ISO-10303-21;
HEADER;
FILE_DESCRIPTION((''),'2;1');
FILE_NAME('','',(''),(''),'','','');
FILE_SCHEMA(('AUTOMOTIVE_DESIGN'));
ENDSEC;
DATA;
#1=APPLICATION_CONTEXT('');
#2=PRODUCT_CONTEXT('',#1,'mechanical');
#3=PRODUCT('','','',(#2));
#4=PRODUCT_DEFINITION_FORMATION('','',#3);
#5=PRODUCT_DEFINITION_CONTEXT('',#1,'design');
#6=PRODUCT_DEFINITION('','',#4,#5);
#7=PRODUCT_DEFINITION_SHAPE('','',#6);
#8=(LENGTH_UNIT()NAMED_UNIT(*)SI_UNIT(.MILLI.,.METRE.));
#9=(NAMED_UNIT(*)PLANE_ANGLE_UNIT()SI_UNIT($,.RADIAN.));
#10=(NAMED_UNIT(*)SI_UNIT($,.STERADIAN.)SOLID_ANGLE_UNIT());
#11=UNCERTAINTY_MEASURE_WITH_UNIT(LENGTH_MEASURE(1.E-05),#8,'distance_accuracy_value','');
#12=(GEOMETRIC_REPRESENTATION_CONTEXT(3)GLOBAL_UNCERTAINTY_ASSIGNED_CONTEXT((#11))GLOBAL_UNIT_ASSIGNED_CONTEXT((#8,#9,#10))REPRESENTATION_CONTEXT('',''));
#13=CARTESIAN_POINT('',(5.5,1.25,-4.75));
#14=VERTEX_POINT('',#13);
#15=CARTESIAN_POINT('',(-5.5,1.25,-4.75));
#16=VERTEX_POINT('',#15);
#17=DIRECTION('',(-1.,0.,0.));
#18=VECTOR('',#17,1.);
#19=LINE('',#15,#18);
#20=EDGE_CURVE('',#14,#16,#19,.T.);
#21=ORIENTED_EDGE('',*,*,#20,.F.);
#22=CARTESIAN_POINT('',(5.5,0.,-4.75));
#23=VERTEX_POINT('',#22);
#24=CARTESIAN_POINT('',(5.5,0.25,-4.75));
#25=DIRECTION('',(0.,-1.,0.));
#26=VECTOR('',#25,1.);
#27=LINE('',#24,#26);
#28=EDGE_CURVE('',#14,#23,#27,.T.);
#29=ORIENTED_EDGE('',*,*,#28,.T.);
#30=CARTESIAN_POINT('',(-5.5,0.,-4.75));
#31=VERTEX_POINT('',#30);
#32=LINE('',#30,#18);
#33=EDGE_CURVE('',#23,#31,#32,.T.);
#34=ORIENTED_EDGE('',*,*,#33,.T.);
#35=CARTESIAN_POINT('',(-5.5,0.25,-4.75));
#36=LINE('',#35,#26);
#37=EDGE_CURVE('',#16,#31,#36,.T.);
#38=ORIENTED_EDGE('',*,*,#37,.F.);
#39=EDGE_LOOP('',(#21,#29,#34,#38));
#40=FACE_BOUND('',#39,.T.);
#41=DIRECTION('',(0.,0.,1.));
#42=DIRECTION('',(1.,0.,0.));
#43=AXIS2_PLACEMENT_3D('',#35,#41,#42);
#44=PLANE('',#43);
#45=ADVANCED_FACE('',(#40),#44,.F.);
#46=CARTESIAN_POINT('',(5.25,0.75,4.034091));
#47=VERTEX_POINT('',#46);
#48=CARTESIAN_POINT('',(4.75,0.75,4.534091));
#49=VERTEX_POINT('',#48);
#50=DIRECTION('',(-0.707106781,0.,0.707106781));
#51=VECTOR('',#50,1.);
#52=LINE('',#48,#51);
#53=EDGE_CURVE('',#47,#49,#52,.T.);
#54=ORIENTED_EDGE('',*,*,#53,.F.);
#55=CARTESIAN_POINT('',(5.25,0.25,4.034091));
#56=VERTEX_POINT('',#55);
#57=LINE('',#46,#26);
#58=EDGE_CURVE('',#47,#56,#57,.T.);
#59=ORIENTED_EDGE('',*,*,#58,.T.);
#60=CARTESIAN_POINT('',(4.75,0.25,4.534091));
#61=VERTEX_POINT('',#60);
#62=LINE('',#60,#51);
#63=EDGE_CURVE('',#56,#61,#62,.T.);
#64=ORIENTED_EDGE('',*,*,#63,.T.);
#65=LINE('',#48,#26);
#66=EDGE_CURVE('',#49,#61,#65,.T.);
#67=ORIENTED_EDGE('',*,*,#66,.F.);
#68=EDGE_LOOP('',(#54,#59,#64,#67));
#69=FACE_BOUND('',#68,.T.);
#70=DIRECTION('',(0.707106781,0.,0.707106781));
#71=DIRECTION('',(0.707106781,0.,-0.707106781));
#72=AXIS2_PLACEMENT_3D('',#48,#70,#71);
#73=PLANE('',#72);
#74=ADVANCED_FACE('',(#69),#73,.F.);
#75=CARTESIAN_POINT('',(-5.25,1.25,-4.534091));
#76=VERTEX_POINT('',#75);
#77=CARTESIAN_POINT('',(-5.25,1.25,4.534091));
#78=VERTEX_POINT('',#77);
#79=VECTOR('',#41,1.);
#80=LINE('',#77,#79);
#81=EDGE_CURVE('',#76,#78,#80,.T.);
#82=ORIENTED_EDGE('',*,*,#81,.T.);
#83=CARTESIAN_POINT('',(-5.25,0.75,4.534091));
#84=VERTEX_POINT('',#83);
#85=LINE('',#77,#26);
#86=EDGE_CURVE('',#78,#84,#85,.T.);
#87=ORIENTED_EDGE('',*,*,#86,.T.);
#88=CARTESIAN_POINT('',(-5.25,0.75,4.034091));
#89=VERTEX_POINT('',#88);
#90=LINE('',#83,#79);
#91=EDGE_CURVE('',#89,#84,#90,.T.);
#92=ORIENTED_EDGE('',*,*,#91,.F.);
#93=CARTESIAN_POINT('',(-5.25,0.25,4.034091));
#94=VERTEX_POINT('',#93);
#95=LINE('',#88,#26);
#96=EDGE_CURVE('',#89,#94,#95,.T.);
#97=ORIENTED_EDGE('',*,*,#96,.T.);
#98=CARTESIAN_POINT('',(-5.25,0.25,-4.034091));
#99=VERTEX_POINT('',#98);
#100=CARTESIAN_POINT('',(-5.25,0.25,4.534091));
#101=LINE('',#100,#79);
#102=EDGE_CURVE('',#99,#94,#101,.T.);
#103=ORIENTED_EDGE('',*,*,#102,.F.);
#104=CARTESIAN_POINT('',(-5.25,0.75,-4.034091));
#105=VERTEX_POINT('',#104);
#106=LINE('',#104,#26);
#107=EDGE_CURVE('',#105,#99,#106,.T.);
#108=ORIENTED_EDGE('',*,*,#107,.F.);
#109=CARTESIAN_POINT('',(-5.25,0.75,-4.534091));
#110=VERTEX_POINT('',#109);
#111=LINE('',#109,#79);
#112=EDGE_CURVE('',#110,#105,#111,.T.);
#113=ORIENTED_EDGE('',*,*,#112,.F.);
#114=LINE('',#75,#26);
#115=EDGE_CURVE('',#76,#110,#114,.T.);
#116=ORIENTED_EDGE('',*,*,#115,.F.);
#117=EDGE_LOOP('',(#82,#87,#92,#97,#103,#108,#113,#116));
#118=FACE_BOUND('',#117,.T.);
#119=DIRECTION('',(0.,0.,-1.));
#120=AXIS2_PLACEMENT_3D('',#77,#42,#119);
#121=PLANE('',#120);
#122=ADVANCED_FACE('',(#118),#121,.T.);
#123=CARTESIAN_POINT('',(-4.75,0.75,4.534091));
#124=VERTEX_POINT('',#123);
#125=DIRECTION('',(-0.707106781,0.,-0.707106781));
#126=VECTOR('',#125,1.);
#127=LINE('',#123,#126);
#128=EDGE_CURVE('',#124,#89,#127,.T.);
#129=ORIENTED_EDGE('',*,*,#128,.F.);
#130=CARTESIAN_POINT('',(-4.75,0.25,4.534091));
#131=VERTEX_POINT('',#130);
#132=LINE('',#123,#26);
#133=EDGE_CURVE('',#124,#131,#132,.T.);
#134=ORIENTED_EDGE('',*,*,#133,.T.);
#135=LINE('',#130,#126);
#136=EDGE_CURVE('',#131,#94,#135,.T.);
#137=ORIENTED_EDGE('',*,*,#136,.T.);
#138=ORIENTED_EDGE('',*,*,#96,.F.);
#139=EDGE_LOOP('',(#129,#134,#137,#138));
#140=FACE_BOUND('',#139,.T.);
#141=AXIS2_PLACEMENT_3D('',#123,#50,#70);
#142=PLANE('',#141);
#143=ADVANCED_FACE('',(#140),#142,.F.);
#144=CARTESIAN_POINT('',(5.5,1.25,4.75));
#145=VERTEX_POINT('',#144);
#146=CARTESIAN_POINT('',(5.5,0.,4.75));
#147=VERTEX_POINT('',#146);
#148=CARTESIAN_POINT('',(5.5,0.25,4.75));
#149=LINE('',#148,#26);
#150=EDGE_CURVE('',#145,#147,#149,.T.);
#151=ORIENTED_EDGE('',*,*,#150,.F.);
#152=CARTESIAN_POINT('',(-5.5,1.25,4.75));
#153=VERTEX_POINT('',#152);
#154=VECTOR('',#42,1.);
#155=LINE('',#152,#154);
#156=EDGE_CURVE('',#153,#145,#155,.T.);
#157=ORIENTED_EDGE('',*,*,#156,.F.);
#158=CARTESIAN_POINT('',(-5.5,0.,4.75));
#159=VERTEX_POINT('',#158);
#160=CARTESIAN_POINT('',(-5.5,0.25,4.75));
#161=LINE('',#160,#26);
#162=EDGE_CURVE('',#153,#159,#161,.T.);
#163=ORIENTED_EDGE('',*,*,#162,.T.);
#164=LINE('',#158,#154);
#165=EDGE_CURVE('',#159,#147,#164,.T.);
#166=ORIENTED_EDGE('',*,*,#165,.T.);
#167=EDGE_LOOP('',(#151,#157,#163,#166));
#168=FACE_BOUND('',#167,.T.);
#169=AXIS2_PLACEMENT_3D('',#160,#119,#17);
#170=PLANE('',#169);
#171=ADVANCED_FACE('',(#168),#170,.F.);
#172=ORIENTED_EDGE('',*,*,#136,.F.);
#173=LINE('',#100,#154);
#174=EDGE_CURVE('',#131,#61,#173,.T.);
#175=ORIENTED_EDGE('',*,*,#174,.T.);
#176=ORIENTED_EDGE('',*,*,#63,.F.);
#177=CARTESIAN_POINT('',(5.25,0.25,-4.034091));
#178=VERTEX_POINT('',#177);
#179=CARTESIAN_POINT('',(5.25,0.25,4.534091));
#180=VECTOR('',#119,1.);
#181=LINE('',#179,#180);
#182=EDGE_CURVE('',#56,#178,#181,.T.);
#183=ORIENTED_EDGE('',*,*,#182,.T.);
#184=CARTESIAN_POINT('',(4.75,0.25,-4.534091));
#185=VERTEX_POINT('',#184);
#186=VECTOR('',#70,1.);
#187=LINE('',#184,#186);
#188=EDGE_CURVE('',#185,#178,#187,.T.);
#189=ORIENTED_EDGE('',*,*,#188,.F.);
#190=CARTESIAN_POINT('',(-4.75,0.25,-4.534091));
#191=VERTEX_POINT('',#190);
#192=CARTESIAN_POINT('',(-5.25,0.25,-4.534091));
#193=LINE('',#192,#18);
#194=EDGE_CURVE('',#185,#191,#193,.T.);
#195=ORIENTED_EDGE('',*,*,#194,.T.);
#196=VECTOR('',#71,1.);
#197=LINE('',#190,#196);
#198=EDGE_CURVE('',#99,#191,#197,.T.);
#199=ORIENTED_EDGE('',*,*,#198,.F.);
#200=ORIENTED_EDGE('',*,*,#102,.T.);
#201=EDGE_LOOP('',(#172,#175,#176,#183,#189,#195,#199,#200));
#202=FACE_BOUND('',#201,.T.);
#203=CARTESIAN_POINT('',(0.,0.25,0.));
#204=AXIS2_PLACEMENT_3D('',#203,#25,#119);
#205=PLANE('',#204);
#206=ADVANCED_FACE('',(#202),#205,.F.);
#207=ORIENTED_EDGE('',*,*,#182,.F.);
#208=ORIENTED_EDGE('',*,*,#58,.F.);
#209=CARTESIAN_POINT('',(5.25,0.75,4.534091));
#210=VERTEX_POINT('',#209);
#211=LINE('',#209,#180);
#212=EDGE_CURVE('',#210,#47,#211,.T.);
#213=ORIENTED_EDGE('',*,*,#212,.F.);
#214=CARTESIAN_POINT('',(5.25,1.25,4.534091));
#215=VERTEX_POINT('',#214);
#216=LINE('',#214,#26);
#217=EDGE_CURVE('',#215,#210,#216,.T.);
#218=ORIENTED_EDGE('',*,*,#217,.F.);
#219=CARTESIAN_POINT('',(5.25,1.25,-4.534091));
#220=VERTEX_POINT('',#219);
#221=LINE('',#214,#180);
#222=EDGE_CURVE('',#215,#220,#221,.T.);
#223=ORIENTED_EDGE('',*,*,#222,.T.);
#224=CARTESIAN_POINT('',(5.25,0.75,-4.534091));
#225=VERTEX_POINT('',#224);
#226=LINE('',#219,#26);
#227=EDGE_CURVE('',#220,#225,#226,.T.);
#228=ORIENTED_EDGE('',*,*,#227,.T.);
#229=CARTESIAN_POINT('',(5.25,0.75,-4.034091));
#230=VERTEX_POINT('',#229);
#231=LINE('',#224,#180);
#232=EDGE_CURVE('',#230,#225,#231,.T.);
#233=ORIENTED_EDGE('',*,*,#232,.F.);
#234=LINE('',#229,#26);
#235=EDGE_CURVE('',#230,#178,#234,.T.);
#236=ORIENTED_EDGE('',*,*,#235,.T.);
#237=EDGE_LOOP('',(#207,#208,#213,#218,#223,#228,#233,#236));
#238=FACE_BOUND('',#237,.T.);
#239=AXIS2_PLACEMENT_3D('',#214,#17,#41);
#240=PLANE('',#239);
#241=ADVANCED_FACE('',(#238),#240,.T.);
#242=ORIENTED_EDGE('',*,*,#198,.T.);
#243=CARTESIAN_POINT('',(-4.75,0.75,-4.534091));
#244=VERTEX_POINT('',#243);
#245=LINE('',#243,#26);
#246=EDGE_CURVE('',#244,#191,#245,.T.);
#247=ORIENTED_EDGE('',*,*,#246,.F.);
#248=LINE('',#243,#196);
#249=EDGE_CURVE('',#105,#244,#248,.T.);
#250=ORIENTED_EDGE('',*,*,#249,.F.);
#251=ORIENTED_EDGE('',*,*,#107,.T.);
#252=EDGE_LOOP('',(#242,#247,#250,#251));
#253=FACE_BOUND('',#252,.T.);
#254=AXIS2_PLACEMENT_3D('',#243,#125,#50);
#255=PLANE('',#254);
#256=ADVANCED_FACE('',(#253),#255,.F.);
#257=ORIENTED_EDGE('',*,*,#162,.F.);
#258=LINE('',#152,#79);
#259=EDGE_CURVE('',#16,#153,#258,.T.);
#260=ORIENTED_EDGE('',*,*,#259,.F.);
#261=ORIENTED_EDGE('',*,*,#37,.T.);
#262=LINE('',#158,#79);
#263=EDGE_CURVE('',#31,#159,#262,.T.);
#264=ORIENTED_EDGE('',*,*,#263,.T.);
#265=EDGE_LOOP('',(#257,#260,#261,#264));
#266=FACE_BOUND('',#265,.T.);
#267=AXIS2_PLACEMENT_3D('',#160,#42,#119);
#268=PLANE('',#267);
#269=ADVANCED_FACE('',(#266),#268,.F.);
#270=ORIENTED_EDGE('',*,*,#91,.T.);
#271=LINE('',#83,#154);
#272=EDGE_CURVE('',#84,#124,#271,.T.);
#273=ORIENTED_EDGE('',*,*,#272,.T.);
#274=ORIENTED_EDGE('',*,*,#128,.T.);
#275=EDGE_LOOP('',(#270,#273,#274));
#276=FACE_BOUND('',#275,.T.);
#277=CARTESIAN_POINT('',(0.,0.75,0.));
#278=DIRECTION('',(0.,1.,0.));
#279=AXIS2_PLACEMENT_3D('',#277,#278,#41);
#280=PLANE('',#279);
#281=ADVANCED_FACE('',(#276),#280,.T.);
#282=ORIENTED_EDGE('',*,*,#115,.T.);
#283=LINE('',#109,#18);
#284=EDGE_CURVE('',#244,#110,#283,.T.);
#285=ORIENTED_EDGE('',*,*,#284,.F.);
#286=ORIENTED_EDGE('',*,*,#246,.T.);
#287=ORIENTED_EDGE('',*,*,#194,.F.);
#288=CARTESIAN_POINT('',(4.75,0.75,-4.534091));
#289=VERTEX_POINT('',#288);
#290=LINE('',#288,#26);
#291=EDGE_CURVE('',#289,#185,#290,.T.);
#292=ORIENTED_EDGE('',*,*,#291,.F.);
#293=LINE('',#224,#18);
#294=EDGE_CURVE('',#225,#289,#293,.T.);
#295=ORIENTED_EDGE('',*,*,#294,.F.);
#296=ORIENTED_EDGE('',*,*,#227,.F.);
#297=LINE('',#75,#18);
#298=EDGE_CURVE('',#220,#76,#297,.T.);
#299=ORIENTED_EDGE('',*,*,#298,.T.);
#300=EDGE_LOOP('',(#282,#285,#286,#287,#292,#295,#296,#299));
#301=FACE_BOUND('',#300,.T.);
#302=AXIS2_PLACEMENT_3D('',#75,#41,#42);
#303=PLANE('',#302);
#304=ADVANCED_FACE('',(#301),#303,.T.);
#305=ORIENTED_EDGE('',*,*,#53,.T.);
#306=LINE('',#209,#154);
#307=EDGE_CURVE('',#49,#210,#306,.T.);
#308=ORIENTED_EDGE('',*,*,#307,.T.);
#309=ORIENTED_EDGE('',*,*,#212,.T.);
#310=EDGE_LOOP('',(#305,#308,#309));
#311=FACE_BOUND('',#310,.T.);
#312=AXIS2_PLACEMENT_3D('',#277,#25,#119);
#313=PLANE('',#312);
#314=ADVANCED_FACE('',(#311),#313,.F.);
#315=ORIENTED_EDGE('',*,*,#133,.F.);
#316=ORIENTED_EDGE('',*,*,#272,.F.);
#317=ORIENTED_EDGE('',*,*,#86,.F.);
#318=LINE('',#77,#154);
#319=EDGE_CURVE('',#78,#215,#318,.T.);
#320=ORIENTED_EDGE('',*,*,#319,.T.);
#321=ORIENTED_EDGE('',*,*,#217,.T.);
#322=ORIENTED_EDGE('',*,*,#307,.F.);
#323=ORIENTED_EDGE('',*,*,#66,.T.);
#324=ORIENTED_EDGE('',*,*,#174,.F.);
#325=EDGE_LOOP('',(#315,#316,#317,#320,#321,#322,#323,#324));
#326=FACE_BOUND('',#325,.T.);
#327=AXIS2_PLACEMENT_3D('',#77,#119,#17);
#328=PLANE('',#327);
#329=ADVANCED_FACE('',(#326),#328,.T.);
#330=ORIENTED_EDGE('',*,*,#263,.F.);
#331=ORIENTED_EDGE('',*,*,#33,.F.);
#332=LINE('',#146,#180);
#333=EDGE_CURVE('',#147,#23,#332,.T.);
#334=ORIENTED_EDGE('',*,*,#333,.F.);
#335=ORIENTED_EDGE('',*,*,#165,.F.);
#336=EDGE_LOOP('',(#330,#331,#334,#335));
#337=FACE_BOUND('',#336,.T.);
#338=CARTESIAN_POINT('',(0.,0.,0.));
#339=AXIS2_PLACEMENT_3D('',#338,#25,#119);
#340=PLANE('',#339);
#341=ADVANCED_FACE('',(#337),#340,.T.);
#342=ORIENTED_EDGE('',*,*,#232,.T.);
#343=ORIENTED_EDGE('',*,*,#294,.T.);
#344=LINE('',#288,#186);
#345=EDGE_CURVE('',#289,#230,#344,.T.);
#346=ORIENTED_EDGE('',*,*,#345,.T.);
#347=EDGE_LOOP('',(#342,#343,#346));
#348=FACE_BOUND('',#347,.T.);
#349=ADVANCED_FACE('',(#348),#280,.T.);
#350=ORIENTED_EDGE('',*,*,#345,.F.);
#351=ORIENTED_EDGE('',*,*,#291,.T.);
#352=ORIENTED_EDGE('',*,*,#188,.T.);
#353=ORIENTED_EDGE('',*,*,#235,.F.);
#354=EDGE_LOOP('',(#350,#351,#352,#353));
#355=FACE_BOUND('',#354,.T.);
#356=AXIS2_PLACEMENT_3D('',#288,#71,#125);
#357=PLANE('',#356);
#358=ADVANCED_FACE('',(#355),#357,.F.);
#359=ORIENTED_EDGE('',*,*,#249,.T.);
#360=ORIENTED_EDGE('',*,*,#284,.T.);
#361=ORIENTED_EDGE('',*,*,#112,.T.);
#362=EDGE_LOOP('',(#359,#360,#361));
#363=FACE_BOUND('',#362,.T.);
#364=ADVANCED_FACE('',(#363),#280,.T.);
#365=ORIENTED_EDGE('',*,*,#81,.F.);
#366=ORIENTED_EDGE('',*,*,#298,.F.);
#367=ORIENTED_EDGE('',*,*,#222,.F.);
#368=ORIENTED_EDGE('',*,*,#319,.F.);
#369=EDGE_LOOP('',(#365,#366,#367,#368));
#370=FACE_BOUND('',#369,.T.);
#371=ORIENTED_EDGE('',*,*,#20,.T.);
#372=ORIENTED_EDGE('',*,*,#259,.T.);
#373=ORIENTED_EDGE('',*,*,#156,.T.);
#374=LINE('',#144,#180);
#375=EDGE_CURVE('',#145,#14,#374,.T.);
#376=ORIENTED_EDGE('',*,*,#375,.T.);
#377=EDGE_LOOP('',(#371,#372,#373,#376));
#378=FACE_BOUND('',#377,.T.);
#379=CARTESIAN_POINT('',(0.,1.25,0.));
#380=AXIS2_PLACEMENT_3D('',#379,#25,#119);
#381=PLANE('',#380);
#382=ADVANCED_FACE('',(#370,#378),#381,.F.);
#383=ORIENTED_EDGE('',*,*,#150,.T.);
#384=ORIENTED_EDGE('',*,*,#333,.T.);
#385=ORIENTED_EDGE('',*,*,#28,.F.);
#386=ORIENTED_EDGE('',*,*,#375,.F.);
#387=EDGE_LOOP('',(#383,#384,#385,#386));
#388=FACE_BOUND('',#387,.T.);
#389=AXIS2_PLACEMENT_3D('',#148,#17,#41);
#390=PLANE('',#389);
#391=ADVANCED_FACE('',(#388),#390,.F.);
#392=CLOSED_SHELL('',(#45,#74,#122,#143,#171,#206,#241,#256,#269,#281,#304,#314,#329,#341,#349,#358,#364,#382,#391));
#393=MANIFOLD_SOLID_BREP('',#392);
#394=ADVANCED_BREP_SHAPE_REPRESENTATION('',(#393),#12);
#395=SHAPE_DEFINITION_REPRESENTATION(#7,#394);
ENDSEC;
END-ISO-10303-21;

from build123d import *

# Parameters (mm, degrees)
SKETCH_1_W      = 11
SKETCH_1_H      = 9.5
EXTRUDE_1_DEPTH = 0.25
SKETCH_2_W      = 11
SKETCH_2_H      = 9.5
SKETCH_2_W_2    = 10.5
SKETCH_2_H_2    = 9.068181818
EXTRUDE_2_DEPTH = 1
EXTRUDE_3_DEPTH = 0.5


with BuildPart() as part:
    # Эскиз1 → Бобышка-Вытянуть1 (new body)
    with BuildSketch(Plane(origin=(0, 0, 0), x_dir=(1, 0, 0), z_dir=(0, 1, 0))):
        Rectangle(SKETCH_1_W, SKETCH_1_H)
    extrude(amount=EXTRUDE_1_DEPTH)

    # Эскиз2 → Бобышка-Вытянуть2 (add)
    with BuildSketch(Plane(origin=(0, 0.25, 0), x_dir=(1, 0, 0), z_dir=(0, 1, 0))):
        Rectangle(SKETCH_2_W, SKETCH_2_H)
        Rectangle(SKETCH_2_W_2, SKETCH_2_H_2, mode=Mode.SUBTRACT)
    extrude(amount=EXTRUDE_2_DEPTH)

    # Эскиз3 → Бобышка-Вытянуть3 (add)
    with BuildSketch(Plane(origin=(0, 0.25, 0), x_dir=(1, 0, 0), z_dir=(0, 1, 0))):
        Polygon((-5.25, 4.534090909), (-4.75, 4.534090909), (-5.25, 4.034090909), align=None)
        Polygon((-5.25, -4.534090909), (-5.25, -4.034090909), (-4.75, -4.534090909), align=None)
        Polygon((5.25, -4.534090909), (5.25, -4.034090909), (4.75, -4.534090909), align=None)
        Polygon((4.75, 4.534090909), (5.25, 4.034090909), (5.25, 4.534090909), align=None)
    extrude(amount=EXTRUDE_3_DEPTH)


solid = part.part
